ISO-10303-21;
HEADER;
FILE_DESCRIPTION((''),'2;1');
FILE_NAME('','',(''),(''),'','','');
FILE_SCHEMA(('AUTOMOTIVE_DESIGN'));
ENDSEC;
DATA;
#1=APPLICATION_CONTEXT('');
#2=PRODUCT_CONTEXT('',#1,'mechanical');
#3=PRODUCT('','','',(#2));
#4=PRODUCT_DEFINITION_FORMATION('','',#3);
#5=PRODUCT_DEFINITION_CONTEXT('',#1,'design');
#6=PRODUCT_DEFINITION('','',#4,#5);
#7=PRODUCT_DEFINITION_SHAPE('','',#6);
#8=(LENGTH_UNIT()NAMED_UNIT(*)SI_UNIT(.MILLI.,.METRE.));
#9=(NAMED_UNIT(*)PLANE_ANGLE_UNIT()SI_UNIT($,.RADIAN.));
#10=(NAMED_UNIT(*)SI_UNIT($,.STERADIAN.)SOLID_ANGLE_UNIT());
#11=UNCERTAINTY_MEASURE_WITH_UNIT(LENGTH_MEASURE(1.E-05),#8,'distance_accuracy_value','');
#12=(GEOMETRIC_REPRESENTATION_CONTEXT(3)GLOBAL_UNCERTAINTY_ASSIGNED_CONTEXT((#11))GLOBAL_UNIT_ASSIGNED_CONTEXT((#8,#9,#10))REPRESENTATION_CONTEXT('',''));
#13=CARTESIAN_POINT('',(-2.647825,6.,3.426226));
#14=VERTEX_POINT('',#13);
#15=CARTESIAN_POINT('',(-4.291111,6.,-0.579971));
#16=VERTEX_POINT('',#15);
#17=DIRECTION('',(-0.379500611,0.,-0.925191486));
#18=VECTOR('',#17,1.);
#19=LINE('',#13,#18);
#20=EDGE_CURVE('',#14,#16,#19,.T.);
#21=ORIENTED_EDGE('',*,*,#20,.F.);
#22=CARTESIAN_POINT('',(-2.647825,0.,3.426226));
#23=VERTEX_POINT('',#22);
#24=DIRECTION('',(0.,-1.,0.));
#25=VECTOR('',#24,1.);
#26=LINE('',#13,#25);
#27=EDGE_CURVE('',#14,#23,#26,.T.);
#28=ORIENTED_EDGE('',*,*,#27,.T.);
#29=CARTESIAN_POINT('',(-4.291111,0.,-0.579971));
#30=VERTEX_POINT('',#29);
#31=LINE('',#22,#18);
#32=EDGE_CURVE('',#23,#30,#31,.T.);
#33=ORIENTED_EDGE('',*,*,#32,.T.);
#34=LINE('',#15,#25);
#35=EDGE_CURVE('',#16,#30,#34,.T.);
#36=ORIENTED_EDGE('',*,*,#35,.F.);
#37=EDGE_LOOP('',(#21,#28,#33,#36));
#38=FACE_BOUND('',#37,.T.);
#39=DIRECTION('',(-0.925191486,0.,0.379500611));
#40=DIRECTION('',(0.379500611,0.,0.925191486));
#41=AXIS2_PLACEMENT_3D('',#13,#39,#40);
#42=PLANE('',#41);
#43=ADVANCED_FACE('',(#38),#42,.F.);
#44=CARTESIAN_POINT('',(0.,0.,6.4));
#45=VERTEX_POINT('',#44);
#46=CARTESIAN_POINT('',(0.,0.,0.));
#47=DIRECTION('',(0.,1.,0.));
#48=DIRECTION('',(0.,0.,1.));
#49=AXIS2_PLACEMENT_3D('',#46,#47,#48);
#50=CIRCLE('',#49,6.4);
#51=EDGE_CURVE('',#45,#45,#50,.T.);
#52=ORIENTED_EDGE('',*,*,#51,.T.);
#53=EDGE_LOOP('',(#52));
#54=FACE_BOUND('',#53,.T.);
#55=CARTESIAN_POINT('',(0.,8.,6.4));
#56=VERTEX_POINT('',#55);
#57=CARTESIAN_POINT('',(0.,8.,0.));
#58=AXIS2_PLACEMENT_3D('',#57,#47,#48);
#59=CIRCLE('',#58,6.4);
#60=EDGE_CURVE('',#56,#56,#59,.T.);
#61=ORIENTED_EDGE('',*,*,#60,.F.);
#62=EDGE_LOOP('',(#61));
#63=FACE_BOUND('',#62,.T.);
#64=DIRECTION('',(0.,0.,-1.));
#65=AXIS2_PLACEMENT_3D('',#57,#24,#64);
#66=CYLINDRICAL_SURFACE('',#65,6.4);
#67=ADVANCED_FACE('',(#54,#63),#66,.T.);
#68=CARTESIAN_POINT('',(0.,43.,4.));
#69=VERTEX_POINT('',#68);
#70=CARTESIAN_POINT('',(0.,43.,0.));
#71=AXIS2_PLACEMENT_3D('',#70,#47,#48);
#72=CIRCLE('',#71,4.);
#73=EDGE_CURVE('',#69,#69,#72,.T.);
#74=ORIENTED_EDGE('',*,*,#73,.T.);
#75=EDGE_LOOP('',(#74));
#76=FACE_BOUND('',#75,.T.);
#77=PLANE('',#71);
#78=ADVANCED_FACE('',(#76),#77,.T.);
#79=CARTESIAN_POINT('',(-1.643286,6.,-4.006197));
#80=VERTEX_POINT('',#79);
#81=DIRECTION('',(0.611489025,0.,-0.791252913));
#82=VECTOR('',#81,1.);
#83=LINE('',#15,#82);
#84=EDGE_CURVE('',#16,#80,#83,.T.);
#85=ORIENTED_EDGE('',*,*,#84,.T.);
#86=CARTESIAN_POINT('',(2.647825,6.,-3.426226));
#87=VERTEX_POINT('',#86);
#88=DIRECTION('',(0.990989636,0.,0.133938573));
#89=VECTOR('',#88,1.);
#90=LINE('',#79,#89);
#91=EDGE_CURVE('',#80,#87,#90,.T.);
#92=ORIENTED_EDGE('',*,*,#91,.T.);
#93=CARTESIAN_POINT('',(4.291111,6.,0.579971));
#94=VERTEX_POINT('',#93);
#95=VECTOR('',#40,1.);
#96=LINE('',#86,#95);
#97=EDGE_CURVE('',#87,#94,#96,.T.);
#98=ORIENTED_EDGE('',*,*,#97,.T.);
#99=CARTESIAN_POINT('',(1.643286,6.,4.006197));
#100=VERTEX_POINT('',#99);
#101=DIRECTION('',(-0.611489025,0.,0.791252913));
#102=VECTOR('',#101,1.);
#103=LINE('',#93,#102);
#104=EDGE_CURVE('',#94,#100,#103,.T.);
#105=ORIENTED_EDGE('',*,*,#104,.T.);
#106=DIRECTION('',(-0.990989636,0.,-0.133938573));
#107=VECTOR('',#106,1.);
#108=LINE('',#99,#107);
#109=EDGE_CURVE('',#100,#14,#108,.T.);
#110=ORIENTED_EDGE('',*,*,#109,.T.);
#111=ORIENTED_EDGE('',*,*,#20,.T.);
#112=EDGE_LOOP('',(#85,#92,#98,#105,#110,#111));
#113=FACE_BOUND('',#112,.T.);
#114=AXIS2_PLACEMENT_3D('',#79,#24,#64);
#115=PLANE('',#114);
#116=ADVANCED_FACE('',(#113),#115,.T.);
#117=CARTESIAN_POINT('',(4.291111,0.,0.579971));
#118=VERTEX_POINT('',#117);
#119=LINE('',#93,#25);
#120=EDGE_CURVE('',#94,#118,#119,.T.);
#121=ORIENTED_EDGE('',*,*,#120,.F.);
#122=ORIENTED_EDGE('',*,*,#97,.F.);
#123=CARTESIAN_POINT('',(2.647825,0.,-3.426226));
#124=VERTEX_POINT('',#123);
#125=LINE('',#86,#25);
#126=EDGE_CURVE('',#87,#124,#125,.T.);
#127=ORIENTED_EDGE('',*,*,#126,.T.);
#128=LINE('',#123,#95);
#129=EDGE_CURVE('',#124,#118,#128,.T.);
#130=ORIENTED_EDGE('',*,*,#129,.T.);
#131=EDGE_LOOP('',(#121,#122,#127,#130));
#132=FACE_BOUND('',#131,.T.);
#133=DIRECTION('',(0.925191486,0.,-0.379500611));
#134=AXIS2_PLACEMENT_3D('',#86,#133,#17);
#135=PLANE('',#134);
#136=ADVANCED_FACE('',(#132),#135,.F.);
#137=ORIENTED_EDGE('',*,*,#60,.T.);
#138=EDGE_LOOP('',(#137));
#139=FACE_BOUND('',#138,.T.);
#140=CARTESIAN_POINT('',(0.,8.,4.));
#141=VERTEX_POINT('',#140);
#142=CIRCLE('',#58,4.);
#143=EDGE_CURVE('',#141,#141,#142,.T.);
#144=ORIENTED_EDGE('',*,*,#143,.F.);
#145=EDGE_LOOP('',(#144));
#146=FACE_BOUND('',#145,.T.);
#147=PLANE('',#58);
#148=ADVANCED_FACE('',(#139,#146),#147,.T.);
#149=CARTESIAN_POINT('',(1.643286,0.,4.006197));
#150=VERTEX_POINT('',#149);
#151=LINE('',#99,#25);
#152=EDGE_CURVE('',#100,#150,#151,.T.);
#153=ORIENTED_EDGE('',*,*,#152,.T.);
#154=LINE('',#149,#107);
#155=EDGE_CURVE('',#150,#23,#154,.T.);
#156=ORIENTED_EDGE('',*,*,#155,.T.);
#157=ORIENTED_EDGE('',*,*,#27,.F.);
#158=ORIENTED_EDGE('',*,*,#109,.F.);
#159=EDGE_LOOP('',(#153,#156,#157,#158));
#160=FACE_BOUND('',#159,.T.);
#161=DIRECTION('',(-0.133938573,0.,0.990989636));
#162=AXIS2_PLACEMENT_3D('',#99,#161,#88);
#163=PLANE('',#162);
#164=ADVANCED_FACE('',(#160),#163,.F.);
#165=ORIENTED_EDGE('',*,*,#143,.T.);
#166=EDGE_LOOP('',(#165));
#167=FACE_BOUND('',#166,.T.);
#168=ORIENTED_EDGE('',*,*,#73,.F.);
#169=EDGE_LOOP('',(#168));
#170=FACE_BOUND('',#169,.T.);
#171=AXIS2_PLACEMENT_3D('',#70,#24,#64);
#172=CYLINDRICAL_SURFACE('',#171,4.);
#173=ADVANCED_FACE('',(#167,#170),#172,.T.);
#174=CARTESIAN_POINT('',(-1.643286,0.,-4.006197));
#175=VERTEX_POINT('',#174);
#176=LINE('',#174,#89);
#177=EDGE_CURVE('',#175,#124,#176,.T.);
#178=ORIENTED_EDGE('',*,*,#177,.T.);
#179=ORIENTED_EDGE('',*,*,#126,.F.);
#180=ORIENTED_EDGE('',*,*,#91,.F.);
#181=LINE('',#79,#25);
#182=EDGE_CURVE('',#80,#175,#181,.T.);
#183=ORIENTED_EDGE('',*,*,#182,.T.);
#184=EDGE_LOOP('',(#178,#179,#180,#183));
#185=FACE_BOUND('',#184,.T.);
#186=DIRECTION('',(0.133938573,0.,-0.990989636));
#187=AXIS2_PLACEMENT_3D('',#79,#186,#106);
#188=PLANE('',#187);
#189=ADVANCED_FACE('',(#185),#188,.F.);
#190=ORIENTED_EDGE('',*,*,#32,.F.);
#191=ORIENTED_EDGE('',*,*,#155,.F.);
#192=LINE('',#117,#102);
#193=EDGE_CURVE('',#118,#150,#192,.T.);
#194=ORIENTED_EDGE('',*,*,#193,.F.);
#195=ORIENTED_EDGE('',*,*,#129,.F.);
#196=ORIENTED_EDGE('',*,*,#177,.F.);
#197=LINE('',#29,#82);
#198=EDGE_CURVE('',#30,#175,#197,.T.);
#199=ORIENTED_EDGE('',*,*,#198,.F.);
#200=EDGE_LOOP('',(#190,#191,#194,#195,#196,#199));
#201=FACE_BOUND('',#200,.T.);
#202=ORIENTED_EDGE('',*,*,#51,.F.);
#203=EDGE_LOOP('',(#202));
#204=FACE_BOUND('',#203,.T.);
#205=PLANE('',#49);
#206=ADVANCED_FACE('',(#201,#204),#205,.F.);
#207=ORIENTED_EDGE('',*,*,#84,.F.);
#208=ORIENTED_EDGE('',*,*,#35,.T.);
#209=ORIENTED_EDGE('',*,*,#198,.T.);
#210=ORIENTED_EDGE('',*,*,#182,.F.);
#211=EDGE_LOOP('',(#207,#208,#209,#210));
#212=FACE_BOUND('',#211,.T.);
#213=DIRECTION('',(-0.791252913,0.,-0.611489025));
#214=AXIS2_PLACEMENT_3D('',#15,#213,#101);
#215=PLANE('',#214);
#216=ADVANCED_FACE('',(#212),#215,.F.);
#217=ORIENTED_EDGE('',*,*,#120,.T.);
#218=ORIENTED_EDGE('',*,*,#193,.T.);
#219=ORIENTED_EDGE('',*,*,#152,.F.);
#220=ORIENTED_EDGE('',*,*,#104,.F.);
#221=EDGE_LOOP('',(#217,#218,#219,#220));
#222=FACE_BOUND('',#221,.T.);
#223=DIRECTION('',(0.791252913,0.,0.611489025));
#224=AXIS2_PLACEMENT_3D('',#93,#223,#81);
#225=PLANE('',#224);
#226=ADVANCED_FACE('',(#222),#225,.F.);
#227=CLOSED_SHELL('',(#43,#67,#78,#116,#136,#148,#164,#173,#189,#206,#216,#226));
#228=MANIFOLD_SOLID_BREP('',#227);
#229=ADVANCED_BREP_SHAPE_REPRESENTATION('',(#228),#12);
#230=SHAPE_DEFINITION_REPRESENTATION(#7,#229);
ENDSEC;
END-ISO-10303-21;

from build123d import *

# Parameters (mm, degrees)
SKETCH_2_R          = 6.4
EXTRUDE_1_DEPTH     = 8
CUT_EXTRUDE_2_DEPTH = 6
SKETCH_4_R          = 4
EXTRUDE_3_DEPTH     = 35


with BuildPart() as part:
    # Эскиз2 → Вытянуть1 (new body)
    with BuildSketch(Plane(origin=(0, 0, 0), x_dir=(1, 0, 0), z_dir=(0, 1, 0))):
        with Locations(Location((0, 0, 0), (0, 0, 270))):
            Circle(SKETCH_2_R)
    extrude(amount=EXTRUDE_1_DEPTH)

    # Эскиз3 → Вытянуть2 (cut)
    with BuildSketch(Plane.XZ):
        Polygon((-1.64328585, -4.006196652), (2.647825149, -3.426225618), (4.291110998, 0.579971035), (1.64328585, 4.006196652), (-2.647825149, 3.426225618), (-4.291110998, -0.579971035), align=None)
    extrude(amount=-CUT_EXTRUDE_2_DEPTH, mode=Mode.SUBTRACT)

    # Эскиз4 → Вытянуть3 (add)
    with BuildSketch(Plane(origin=(0, 8, 0), x_dir=(-1, 0, 0), z_dir=(0, 1, 0))):
        with Locations(Location((0, 0, 0), (0, 0, 90))):
            Circle(SKETCH_4_R)
    extrude(amount=EXTRUDE_3_DEPTH)


solid = part.part
